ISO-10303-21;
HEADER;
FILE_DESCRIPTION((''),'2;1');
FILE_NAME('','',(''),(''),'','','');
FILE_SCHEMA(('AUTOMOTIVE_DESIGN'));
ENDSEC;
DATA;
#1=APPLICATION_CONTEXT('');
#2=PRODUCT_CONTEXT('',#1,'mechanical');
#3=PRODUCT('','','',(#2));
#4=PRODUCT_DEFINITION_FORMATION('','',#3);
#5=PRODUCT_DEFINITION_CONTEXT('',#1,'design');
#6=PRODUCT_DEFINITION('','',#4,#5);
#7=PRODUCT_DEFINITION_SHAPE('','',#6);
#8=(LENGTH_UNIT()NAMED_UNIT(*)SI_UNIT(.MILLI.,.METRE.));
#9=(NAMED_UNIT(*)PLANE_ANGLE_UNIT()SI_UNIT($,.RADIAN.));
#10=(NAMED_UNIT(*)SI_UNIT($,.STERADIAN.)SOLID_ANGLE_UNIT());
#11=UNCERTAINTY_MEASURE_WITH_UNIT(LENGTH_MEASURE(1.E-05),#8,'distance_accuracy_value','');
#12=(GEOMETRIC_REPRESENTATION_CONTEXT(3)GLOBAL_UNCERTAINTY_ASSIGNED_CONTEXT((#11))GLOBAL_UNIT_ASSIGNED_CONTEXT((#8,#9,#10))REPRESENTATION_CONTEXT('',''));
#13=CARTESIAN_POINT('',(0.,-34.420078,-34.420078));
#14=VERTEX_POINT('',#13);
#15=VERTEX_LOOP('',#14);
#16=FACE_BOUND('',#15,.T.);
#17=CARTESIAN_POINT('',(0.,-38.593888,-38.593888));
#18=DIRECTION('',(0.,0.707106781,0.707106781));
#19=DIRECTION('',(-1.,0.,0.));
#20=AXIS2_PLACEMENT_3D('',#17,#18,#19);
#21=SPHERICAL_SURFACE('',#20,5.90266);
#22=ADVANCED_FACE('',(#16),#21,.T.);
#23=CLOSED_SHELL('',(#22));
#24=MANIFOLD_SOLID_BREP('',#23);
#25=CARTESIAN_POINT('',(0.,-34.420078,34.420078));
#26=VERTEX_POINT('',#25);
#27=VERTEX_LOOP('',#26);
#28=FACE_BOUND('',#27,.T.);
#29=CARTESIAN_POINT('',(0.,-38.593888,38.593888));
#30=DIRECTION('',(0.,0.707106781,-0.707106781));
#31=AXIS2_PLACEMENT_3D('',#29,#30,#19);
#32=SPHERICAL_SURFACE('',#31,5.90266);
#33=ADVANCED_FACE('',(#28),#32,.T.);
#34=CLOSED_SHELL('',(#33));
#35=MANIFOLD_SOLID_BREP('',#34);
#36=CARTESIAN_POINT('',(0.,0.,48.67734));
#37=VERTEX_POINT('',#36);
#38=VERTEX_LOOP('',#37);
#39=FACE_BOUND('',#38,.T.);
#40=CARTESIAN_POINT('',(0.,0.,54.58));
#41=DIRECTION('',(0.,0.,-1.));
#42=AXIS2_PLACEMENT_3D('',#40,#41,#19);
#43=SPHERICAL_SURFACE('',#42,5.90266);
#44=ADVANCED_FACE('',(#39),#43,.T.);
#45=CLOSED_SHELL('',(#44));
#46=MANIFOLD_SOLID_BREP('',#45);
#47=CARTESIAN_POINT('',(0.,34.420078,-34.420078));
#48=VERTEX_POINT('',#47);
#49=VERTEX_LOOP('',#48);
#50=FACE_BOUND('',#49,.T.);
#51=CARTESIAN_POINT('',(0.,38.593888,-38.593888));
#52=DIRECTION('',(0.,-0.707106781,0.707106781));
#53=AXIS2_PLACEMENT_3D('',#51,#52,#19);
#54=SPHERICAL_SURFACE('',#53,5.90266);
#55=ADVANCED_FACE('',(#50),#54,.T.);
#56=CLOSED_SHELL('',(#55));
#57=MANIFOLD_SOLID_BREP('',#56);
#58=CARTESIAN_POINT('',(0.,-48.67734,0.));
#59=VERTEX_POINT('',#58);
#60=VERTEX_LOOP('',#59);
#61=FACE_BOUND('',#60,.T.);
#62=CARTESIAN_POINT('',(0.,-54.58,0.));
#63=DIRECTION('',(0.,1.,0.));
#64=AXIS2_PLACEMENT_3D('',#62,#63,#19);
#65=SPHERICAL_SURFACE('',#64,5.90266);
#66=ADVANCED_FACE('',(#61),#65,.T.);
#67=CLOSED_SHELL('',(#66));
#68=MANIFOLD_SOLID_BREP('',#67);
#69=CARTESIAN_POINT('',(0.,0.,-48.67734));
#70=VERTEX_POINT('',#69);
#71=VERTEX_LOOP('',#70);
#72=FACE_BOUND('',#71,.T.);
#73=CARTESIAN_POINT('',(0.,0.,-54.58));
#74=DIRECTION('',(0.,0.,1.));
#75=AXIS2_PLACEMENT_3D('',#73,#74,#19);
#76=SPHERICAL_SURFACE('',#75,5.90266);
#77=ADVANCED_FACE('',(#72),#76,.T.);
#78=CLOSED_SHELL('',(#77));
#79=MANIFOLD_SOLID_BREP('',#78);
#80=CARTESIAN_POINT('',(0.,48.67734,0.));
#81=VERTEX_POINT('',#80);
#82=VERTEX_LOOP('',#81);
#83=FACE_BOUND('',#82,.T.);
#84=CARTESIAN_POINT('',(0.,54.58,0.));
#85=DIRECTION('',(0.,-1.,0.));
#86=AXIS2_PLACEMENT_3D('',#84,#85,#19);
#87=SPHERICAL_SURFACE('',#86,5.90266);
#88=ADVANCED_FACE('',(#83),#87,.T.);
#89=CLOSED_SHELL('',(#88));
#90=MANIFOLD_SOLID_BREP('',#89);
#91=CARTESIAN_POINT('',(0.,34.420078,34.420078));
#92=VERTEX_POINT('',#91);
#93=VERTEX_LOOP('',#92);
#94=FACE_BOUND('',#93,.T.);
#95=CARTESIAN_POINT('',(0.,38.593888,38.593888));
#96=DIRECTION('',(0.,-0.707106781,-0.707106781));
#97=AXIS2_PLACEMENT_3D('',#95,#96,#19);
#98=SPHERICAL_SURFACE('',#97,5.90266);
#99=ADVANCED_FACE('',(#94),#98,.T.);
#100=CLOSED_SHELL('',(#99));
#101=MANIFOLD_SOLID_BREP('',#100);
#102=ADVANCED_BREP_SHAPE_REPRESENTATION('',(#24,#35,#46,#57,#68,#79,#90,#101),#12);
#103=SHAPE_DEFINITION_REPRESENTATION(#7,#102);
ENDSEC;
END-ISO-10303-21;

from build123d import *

# Parameters (mm, degrees)
CIRPATTERN1_COUNT = 8


with BuildPart() as part:
    # Sketch1 → Revolve1 (revolve)
    with BuildSketch(Plane.XY):
        with BuildLine():
            Line((0, 48.677340491), (0, 60.482659509))
            ThreePointArc((0, 60.482659509), (-5.902659509, 54.58), (0, 48.677340491))
        make_face()
    revolve(axis=Axis((0, 48.677340491, 0), (0, 1, 0)))


with BuildPart() as cirpattern1_1:
    # CirPattern1: pattern copy
    add(part.part.rotate(Axis((0, 0, 0), (1, 0, 0)), 1 * 360 / CIRPATTERN1_COUNT))


with BuildPart() as cirpattern1_2:
    # CirPattern1: pattern copy
    add(part.part.rotate(Axis((0, 0, 0), (1, 0, 0)), 2 * 360 / CIRPATTERN1_COUNT))


with BuildPart() as cirpattern1_3:
    # CirPattern1: pattern copy
    add(part.part.rotate(Axis((0, 0, 0), (1, 0, 0)), 3 * 360 / CIRPATTERN1_COUNT))


with BuildPart() as cirpattern1_4:
    # CirPattern1: pattern copy
    add(part.part.rotate(Axis((0, 0, 0), (1, 0, 0)), 4 * 360 / CIRPATTERN1_COUNT))


with BuildPart() as cirpattern1_5:
    # CirPattern1: pattern copy
    add(part.part.rotate(Axis((0, 0, 0), (1, 0, 0)), 5 * 360 / CIRPATTERN1_COUNT))


with BuildPart() as cirpattern1_6:
    # CirPattern1: pattern copy
    add(part.part.rotate(Axis((0, 0, 0), (1, 0, 0)), 6 * 360 / CIRPATTERN1_COUNT))


with BuildPart() as cirpattern1_7:
    # CirPattern1: pattern copy
    add(part.part.rotate(Axis((0, 0, 0), (1, 0, 0)), 7 * 360 / CIRPATTERN1_COUNT))


solid = Compound([part.part, cirpattern1_1.part, cirpattern1_2.part, cirpattern1_3.part, cirpattern1_4.part, cirpattern1_5.part, cirpattern1_6.part, cirpattern1_7.part])
